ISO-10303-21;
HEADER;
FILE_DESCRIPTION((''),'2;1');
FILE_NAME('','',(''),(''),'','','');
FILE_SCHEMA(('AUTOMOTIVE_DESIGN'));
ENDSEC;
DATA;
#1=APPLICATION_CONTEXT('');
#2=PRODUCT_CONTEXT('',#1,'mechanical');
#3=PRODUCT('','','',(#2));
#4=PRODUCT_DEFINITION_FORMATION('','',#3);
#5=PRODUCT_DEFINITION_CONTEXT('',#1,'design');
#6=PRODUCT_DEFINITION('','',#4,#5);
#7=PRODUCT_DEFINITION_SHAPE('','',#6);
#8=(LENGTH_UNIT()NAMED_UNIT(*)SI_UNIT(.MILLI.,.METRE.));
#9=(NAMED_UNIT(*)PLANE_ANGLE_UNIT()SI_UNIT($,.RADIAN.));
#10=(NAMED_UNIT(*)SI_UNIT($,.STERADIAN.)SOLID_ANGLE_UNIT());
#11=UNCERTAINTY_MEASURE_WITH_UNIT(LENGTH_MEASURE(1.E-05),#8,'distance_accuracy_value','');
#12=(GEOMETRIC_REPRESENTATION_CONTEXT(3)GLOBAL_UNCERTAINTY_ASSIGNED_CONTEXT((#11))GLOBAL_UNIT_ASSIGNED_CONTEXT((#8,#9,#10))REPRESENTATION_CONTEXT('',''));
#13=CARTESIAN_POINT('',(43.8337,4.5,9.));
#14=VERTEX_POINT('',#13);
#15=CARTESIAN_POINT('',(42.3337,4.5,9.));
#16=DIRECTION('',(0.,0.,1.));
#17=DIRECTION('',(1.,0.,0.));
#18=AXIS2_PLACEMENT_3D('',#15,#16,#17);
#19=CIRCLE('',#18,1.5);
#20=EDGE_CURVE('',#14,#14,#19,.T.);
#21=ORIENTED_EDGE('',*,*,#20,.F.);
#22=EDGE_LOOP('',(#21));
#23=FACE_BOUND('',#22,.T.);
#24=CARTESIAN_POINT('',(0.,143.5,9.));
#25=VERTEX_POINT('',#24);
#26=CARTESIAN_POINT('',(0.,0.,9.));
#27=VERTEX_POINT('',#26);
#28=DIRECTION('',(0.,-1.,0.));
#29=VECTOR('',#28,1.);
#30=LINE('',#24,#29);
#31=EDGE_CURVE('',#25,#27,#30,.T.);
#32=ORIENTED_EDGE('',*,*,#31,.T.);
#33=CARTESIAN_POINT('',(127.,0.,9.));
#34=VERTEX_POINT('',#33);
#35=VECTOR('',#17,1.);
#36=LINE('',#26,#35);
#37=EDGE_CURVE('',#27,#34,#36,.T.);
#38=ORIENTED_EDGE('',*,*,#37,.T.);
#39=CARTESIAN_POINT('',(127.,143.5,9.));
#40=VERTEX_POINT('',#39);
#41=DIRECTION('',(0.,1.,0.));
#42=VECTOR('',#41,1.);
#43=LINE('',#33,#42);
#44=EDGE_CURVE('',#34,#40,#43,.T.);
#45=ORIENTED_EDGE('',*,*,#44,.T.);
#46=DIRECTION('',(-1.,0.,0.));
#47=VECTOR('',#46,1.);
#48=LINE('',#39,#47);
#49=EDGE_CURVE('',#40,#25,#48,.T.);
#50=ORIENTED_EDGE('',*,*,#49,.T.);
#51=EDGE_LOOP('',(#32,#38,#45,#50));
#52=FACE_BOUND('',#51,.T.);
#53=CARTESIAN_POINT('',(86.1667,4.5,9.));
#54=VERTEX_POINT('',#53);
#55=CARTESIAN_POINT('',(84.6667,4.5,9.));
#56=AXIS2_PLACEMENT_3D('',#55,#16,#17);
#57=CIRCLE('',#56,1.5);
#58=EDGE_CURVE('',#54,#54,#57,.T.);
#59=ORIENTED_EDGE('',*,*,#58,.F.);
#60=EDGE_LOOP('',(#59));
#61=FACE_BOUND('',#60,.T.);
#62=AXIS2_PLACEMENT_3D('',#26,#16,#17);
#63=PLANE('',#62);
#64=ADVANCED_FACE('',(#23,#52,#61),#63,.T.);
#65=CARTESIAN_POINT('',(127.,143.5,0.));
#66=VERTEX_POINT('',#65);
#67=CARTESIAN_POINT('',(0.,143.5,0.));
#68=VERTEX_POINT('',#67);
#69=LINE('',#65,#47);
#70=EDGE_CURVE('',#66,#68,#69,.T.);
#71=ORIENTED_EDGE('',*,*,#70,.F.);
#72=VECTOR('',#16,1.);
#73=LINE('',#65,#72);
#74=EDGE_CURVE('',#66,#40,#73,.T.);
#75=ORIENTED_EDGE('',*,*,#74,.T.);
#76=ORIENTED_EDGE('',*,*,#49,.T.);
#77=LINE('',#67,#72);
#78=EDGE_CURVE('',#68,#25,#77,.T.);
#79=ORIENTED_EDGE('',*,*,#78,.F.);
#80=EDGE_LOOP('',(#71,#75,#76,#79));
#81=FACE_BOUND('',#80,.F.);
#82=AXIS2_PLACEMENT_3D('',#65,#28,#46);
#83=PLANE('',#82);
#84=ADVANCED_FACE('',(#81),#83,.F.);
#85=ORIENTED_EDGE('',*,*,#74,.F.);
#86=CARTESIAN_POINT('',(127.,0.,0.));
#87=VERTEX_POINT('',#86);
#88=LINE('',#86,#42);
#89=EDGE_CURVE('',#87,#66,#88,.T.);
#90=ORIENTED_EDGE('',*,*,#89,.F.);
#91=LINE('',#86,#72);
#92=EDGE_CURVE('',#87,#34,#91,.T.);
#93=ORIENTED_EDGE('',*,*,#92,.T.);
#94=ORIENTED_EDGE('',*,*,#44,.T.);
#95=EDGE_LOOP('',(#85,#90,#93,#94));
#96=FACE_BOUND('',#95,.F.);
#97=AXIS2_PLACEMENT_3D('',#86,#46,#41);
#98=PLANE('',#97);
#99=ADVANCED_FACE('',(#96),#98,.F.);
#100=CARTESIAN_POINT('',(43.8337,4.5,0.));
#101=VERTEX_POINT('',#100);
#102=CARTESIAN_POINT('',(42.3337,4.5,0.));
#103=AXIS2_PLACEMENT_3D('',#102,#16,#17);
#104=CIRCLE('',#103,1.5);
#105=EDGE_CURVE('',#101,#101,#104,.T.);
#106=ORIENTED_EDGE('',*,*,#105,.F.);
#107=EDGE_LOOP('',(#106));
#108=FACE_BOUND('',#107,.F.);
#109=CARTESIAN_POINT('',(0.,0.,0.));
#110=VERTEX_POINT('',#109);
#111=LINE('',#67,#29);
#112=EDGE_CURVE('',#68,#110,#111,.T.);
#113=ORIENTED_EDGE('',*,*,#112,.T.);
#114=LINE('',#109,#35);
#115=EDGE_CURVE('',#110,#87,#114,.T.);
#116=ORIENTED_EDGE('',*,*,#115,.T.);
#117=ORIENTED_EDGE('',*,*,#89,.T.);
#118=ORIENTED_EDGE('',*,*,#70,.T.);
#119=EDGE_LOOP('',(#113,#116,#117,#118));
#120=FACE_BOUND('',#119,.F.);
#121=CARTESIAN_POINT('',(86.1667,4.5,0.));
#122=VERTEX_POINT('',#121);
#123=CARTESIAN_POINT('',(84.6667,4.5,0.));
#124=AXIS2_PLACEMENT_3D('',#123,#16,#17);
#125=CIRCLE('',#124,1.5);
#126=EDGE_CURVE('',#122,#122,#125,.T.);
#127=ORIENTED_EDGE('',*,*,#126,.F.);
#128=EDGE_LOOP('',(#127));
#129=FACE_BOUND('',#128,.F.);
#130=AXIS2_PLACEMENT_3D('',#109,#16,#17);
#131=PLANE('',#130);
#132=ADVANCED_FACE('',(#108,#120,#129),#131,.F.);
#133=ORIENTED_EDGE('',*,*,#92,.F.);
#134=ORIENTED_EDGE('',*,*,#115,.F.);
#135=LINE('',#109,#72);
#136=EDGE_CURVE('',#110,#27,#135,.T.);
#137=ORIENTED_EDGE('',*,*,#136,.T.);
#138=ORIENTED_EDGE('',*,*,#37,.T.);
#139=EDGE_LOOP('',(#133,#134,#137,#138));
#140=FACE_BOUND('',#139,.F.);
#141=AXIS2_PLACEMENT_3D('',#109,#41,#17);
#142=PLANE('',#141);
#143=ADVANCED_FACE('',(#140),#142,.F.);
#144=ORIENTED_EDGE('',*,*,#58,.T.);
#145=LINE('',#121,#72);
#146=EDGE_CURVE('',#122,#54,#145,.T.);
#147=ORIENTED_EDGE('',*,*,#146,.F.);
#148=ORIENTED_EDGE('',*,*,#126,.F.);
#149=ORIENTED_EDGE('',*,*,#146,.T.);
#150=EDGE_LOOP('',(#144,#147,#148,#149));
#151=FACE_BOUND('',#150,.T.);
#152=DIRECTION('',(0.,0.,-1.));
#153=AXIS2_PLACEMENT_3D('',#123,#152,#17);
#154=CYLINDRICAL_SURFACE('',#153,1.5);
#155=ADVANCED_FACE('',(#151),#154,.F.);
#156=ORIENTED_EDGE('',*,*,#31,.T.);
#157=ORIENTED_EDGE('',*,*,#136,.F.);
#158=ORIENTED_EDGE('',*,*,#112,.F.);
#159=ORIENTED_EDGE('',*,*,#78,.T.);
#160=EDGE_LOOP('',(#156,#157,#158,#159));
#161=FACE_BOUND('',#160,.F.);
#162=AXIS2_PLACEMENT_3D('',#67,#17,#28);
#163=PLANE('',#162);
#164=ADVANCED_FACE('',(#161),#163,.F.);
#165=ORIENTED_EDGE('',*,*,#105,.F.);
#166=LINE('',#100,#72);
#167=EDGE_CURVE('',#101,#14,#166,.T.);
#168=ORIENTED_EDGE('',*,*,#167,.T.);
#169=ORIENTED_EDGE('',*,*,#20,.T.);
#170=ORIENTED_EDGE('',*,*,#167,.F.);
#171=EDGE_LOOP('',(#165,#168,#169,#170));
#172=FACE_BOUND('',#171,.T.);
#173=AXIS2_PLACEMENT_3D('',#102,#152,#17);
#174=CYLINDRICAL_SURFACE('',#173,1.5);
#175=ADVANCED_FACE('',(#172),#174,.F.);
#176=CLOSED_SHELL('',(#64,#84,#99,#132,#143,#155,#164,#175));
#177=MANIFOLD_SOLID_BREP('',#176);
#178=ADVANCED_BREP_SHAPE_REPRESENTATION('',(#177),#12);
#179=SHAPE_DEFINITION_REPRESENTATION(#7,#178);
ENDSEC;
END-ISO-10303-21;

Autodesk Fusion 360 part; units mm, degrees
sketch "Skizze1" plane through (0, 0, 0) normal (0, 0, 1) x (1, 0, 0)
  line L0 (127, 0) -> (127, 143.5)
  line L1 (0, 143.5) -> (0, 0)
  line L2 (0, 0) -> (127, 0)
  circle A0 centre (84.6667, 4.5) radius 1.5
  circle A1 centre (42.3337, 4.5) radius 1.5
  line L3 (127, 143.5) -> (0, 143.5)
  dimension "d1" = 127
  dimension "d2" = 143.5
  dimension "d7" = 3
  dimension "d8" = 4.5
  dimension "d9" = 42.3333
  dimension "d10" = 3
extrude "Extrusion1" add sketch "Skizze1" along normal blind 9
